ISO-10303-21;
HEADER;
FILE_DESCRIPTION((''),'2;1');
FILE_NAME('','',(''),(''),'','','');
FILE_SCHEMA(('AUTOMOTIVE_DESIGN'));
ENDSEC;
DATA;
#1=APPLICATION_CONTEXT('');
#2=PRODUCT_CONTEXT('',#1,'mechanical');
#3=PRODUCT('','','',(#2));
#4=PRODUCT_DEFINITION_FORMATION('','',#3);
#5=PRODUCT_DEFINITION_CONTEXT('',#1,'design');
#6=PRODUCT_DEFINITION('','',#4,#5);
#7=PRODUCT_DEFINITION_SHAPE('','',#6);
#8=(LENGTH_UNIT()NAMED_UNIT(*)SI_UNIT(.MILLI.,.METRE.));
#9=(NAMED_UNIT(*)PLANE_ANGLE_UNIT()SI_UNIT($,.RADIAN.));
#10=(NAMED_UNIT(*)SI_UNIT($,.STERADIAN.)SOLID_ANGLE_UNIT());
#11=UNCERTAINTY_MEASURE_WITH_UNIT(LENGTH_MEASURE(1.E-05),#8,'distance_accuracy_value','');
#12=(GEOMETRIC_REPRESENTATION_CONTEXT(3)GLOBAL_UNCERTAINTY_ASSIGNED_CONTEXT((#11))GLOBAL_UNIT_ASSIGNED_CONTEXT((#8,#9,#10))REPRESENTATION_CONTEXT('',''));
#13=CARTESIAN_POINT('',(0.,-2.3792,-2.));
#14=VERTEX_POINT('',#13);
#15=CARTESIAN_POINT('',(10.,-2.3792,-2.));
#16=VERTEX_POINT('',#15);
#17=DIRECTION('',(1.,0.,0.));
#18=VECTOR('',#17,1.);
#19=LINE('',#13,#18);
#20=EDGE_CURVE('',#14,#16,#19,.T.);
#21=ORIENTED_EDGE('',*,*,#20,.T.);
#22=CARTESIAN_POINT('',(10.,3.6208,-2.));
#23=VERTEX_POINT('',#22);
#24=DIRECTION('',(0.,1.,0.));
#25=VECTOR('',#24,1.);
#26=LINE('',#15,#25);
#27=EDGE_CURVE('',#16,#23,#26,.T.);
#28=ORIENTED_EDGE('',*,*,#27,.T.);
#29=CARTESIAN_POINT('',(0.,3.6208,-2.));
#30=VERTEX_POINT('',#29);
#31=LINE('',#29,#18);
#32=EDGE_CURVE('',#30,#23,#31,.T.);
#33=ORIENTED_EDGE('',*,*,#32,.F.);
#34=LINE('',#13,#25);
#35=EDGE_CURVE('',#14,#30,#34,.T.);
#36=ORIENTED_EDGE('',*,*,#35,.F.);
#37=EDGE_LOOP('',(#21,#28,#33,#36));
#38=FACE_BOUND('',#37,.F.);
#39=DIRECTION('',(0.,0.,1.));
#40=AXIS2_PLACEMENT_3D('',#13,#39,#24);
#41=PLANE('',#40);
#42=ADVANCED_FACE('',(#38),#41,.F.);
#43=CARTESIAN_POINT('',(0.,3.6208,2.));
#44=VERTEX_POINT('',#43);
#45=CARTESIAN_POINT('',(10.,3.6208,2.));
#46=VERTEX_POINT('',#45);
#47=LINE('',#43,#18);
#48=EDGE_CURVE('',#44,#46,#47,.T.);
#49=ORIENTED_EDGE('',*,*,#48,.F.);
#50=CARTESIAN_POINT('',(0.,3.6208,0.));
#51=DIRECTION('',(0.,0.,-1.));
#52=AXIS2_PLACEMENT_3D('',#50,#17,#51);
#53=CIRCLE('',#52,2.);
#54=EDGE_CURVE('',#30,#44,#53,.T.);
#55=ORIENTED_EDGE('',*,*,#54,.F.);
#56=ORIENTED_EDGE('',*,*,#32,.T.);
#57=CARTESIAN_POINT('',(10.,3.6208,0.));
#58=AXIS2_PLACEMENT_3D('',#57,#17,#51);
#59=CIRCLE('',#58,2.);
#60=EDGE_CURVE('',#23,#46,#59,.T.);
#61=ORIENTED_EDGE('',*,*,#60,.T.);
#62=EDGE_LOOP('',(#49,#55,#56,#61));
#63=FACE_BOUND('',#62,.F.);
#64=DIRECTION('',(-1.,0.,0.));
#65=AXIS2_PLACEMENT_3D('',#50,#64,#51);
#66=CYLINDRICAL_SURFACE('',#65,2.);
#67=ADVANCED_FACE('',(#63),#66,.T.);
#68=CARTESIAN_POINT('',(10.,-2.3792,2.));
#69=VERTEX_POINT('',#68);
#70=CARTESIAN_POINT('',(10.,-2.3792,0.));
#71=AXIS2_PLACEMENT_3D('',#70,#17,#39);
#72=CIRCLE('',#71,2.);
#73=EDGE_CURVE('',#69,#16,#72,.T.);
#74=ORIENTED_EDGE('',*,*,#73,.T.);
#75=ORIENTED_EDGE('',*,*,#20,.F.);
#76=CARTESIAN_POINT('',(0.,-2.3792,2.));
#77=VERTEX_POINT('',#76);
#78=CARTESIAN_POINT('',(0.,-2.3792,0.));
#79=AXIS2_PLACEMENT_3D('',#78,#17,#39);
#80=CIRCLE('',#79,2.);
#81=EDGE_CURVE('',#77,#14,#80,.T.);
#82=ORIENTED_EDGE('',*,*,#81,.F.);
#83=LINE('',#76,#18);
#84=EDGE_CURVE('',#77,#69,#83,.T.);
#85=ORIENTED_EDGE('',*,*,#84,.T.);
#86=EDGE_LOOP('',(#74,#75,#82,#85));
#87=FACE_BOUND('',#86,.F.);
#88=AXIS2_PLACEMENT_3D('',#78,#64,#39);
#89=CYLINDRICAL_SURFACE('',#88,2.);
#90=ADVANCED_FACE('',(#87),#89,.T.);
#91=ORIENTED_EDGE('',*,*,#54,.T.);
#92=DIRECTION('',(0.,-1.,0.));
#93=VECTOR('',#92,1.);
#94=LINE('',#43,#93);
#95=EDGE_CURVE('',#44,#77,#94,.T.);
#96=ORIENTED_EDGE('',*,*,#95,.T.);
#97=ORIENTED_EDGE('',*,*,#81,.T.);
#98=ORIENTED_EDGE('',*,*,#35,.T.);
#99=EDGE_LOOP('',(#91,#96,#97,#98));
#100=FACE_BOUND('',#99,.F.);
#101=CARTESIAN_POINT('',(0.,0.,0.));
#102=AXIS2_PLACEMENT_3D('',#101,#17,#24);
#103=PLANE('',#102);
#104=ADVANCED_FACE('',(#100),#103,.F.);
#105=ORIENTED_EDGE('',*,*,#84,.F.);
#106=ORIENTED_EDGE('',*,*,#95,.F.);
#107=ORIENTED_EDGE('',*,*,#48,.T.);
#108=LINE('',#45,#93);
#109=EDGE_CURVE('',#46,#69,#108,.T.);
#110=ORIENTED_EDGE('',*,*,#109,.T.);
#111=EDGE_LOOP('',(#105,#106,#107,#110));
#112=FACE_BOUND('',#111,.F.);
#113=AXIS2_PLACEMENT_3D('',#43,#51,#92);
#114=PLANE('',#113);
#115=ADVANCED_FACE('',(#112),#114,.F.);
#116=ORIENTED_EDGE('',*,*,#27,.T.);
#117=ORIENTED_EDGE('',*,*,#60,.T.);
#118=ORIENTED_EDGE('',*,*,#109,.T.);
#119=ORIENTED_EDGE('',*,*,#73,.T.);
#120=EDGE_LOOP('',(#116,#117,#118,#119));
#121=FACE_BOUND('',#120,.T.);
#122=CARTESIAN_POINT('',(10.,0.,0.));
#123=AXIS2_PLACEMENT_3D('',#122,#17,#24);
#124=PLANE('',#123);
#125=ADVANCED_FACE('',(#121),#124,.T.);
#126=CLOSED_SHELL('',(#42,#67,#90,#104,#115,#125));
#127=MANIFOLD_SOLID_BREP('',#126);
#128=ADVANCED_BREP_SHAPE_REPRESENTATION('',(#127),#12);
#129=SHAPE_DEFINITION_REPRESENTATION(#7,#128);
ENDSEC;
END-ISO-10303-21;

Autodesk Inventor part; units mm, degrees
ref_plane "YZ Plane" through (0, 0, 0) normal (1, 0, 0) x (0, 1, 0)
ref_plane "XZ Plane" through (0, 0, 0) normal (0, 1, 0) x (-1, 0, 0)
ref_plane "XY Plane" through (0, 0, 0) normal (0, 0, 1) x (1, 0, 0)
sketch "Sketch1" plane through (0, 0, 0) normal (1, 0, 0) x (0, 1, 0)
  arc A0 (3.6208, -2) -> (3.6208, 2) centre (3.6208, 0) ccw
  arc A1 (-2.3792, 2) -> (-2.3792, -2) centre (-2.3792, 0) ccw
  line L0 (0, 2.8) -> (0, -2.8) construction
  line L1 (-6.3792, 0) -> (7.6208, 0) construction
  line L2 (3.6208, 0) -> (-2.3792, 0) construction
  line L3 (3.6208, 2) -> (-2.3792, 2)
  line L4 (-2.3792, -2) -> (3.6208, -2)
  point P0 (0, 0)
  dimension "d0" = 2
  dimension "d1" = 6
extrude "Extrusion1" add sketch "Sketch1" along normal blind 10
properties part number "Lock Tab"
